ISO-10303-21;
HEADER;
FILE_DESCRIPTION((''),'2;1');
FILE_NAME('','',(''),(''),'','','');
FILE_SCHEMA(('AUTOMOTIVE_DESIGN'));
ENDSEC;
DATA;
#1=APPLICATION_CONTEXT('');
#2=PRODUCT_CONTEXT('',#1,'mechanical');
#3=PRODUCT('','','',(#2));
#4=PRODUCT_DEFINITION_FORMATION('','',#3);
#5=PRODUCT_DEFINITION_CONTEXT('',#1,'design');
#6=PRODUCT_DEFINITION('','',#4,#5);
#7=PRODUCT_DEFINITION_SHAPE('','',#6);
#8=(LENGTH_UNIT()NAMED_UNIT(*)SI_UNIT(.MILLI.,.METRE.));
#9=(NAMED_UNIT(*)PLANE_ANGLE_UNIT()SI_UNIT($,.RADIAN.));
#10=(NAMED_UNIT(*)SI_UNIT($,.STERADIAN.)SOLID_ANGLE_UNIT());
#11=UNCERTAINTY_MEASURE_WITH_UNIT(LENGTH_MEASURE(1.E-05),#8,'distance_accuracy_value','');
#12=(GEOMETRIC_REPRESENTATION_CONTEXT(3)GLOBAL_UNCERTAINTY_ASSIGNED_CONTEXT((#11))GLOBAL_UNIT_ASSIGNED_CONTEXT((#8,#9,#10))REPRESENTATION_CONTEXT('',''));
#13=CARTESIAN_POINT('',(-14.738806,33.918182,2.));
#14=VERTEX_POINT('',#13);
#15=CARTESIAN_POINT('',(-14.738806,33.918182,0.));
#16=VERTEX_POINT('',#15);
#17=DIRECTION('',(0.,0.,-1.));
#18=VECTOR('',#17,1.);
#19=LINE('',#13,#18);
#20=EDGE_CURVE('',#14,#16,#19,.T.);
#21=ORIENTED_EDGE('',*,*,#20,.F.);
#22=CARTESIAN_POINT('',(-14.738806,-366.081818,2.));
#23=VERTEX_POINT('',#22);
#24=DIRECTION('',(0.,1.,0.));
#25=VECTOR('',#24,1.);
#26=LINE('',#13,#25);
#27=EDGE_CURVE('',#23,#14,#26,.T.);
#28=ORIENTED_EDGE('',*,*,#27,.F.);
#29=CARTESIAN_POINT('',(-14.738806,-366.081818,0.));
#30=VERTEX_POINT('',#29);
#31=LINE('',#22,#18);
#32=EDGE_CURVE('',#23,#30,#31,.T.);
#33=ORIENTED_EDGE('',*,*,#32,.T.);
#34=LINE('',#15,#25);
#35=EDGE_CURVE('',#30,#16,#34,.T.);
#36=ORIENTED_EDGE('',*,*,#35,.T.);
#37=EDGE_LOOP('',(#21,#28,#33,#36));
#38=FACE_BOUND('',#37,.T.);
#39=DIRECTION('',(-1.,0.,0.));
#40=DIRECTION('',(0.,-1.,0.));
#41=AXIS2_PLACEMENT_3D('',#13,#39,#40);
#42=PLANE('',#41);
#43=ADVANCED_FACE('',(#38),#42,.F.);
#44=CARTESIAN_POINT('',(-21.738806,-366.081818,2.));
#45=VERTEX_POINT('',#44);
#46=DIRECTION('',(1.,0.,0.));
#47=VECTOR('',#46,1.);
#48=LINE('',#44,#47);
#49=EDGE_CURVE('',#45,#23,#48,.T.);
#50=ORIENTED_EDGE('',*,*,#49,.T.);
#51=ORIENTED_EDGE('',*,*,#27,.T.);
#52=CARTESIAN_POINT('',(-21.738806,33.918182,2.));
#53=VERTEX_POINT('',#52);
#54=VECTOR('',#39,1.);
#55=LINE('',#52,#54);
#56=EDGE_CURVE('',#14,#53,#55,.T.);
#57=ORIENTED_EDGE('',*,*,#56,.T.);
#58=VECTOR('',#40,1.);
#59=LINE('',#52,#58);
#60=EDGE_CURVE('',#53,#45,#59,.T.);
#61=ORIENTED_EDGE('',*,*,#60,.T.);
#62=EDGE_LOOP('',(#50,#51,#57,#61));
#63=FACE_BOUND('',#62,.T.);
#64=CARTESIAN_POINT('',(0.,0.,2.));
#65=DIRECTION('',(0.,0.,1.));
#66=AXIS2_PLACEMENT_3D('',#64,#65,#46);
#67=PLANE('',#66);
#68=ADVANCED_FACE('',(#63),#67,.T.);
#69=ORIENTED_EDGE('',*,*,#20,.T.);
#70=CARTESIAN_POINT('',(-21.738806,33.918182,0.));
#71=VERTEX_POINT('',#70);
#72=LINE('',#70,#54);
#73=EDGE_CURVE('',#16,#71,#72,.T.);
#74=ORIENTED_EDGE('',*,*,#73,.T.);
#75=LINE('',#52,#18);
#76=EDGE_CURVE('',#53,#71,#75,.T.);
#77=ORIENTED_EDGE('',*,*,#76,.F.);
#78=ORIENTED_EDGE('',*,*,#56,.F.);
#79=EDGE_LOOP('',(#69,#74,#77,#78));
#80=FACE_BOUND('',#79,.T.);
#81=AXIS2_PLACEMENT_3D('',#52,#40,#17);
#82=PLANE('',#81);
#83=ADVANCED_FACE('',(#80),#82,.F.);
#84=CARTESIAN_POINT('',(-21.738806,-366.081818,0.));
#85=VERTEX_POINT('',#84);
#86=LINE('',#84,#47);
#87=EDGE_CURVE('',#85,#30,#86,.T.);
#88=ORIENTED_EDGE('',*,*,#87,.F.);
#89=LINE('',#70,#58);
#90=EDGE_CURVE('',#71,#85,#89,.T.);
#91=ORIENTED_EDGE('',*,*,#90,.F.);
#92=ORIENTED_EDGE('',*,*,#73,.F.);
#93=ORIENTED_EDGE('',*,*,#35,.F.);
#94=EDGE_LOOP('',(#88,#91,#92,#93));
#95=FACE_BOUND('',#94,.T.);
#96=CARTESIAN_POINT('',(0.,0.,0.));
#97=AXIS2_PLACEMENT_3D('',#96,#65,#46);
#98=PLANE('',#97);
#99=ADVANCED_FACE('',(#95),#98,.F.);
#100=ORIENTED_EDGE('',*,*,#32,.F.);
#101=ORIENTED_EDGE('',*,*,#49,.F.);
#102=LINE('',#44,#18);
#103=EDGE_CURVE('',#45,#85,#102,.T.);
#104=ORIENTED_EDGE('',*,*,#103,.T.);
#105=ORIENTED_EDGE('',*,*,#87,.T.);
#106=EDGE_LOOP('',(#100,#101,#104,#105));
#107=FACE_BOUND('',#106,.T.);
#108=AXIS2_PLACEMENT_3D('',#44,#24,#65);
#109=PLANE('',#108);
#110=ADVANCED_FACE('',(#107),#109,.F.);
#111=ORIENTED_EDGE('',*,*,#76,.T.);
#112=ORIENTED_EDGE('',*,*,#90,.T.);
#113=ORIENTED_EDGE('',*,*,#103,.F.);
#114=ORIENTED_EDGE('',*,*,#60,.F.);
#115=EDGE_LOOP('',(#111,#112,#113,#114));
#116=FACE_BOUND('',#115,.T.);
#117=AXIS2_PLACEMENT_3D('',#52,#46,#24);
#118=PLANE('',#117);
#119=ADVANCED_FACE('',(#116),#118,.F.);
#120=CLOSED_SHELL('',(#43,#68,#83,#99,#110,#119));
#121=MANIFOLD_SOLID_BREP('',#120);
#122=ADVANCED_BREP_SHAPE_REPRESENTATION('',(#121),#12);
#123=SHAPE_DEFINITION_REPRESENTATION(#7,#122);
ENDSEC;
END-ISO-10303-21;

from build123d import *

# Parameters (mm, degrees)
ESQUISSE1_W        = 7
ESQUISSE1_H        = 400
BOSS_EXTRU_1_DEPTH = 2


with BuildPart() as part:
    # Esquisse1 → Boss.-Extru.1 (new body)
    with BuildSketch(Plane.XY):
        with Locations((-18.238806287, -166.081818182)):
            Rectangle(ESQUISSE1_W, ESQUISSE1_H)
    extrude(amount=BOSS_EXTRU_1_DEPTH)


solid = part.part
